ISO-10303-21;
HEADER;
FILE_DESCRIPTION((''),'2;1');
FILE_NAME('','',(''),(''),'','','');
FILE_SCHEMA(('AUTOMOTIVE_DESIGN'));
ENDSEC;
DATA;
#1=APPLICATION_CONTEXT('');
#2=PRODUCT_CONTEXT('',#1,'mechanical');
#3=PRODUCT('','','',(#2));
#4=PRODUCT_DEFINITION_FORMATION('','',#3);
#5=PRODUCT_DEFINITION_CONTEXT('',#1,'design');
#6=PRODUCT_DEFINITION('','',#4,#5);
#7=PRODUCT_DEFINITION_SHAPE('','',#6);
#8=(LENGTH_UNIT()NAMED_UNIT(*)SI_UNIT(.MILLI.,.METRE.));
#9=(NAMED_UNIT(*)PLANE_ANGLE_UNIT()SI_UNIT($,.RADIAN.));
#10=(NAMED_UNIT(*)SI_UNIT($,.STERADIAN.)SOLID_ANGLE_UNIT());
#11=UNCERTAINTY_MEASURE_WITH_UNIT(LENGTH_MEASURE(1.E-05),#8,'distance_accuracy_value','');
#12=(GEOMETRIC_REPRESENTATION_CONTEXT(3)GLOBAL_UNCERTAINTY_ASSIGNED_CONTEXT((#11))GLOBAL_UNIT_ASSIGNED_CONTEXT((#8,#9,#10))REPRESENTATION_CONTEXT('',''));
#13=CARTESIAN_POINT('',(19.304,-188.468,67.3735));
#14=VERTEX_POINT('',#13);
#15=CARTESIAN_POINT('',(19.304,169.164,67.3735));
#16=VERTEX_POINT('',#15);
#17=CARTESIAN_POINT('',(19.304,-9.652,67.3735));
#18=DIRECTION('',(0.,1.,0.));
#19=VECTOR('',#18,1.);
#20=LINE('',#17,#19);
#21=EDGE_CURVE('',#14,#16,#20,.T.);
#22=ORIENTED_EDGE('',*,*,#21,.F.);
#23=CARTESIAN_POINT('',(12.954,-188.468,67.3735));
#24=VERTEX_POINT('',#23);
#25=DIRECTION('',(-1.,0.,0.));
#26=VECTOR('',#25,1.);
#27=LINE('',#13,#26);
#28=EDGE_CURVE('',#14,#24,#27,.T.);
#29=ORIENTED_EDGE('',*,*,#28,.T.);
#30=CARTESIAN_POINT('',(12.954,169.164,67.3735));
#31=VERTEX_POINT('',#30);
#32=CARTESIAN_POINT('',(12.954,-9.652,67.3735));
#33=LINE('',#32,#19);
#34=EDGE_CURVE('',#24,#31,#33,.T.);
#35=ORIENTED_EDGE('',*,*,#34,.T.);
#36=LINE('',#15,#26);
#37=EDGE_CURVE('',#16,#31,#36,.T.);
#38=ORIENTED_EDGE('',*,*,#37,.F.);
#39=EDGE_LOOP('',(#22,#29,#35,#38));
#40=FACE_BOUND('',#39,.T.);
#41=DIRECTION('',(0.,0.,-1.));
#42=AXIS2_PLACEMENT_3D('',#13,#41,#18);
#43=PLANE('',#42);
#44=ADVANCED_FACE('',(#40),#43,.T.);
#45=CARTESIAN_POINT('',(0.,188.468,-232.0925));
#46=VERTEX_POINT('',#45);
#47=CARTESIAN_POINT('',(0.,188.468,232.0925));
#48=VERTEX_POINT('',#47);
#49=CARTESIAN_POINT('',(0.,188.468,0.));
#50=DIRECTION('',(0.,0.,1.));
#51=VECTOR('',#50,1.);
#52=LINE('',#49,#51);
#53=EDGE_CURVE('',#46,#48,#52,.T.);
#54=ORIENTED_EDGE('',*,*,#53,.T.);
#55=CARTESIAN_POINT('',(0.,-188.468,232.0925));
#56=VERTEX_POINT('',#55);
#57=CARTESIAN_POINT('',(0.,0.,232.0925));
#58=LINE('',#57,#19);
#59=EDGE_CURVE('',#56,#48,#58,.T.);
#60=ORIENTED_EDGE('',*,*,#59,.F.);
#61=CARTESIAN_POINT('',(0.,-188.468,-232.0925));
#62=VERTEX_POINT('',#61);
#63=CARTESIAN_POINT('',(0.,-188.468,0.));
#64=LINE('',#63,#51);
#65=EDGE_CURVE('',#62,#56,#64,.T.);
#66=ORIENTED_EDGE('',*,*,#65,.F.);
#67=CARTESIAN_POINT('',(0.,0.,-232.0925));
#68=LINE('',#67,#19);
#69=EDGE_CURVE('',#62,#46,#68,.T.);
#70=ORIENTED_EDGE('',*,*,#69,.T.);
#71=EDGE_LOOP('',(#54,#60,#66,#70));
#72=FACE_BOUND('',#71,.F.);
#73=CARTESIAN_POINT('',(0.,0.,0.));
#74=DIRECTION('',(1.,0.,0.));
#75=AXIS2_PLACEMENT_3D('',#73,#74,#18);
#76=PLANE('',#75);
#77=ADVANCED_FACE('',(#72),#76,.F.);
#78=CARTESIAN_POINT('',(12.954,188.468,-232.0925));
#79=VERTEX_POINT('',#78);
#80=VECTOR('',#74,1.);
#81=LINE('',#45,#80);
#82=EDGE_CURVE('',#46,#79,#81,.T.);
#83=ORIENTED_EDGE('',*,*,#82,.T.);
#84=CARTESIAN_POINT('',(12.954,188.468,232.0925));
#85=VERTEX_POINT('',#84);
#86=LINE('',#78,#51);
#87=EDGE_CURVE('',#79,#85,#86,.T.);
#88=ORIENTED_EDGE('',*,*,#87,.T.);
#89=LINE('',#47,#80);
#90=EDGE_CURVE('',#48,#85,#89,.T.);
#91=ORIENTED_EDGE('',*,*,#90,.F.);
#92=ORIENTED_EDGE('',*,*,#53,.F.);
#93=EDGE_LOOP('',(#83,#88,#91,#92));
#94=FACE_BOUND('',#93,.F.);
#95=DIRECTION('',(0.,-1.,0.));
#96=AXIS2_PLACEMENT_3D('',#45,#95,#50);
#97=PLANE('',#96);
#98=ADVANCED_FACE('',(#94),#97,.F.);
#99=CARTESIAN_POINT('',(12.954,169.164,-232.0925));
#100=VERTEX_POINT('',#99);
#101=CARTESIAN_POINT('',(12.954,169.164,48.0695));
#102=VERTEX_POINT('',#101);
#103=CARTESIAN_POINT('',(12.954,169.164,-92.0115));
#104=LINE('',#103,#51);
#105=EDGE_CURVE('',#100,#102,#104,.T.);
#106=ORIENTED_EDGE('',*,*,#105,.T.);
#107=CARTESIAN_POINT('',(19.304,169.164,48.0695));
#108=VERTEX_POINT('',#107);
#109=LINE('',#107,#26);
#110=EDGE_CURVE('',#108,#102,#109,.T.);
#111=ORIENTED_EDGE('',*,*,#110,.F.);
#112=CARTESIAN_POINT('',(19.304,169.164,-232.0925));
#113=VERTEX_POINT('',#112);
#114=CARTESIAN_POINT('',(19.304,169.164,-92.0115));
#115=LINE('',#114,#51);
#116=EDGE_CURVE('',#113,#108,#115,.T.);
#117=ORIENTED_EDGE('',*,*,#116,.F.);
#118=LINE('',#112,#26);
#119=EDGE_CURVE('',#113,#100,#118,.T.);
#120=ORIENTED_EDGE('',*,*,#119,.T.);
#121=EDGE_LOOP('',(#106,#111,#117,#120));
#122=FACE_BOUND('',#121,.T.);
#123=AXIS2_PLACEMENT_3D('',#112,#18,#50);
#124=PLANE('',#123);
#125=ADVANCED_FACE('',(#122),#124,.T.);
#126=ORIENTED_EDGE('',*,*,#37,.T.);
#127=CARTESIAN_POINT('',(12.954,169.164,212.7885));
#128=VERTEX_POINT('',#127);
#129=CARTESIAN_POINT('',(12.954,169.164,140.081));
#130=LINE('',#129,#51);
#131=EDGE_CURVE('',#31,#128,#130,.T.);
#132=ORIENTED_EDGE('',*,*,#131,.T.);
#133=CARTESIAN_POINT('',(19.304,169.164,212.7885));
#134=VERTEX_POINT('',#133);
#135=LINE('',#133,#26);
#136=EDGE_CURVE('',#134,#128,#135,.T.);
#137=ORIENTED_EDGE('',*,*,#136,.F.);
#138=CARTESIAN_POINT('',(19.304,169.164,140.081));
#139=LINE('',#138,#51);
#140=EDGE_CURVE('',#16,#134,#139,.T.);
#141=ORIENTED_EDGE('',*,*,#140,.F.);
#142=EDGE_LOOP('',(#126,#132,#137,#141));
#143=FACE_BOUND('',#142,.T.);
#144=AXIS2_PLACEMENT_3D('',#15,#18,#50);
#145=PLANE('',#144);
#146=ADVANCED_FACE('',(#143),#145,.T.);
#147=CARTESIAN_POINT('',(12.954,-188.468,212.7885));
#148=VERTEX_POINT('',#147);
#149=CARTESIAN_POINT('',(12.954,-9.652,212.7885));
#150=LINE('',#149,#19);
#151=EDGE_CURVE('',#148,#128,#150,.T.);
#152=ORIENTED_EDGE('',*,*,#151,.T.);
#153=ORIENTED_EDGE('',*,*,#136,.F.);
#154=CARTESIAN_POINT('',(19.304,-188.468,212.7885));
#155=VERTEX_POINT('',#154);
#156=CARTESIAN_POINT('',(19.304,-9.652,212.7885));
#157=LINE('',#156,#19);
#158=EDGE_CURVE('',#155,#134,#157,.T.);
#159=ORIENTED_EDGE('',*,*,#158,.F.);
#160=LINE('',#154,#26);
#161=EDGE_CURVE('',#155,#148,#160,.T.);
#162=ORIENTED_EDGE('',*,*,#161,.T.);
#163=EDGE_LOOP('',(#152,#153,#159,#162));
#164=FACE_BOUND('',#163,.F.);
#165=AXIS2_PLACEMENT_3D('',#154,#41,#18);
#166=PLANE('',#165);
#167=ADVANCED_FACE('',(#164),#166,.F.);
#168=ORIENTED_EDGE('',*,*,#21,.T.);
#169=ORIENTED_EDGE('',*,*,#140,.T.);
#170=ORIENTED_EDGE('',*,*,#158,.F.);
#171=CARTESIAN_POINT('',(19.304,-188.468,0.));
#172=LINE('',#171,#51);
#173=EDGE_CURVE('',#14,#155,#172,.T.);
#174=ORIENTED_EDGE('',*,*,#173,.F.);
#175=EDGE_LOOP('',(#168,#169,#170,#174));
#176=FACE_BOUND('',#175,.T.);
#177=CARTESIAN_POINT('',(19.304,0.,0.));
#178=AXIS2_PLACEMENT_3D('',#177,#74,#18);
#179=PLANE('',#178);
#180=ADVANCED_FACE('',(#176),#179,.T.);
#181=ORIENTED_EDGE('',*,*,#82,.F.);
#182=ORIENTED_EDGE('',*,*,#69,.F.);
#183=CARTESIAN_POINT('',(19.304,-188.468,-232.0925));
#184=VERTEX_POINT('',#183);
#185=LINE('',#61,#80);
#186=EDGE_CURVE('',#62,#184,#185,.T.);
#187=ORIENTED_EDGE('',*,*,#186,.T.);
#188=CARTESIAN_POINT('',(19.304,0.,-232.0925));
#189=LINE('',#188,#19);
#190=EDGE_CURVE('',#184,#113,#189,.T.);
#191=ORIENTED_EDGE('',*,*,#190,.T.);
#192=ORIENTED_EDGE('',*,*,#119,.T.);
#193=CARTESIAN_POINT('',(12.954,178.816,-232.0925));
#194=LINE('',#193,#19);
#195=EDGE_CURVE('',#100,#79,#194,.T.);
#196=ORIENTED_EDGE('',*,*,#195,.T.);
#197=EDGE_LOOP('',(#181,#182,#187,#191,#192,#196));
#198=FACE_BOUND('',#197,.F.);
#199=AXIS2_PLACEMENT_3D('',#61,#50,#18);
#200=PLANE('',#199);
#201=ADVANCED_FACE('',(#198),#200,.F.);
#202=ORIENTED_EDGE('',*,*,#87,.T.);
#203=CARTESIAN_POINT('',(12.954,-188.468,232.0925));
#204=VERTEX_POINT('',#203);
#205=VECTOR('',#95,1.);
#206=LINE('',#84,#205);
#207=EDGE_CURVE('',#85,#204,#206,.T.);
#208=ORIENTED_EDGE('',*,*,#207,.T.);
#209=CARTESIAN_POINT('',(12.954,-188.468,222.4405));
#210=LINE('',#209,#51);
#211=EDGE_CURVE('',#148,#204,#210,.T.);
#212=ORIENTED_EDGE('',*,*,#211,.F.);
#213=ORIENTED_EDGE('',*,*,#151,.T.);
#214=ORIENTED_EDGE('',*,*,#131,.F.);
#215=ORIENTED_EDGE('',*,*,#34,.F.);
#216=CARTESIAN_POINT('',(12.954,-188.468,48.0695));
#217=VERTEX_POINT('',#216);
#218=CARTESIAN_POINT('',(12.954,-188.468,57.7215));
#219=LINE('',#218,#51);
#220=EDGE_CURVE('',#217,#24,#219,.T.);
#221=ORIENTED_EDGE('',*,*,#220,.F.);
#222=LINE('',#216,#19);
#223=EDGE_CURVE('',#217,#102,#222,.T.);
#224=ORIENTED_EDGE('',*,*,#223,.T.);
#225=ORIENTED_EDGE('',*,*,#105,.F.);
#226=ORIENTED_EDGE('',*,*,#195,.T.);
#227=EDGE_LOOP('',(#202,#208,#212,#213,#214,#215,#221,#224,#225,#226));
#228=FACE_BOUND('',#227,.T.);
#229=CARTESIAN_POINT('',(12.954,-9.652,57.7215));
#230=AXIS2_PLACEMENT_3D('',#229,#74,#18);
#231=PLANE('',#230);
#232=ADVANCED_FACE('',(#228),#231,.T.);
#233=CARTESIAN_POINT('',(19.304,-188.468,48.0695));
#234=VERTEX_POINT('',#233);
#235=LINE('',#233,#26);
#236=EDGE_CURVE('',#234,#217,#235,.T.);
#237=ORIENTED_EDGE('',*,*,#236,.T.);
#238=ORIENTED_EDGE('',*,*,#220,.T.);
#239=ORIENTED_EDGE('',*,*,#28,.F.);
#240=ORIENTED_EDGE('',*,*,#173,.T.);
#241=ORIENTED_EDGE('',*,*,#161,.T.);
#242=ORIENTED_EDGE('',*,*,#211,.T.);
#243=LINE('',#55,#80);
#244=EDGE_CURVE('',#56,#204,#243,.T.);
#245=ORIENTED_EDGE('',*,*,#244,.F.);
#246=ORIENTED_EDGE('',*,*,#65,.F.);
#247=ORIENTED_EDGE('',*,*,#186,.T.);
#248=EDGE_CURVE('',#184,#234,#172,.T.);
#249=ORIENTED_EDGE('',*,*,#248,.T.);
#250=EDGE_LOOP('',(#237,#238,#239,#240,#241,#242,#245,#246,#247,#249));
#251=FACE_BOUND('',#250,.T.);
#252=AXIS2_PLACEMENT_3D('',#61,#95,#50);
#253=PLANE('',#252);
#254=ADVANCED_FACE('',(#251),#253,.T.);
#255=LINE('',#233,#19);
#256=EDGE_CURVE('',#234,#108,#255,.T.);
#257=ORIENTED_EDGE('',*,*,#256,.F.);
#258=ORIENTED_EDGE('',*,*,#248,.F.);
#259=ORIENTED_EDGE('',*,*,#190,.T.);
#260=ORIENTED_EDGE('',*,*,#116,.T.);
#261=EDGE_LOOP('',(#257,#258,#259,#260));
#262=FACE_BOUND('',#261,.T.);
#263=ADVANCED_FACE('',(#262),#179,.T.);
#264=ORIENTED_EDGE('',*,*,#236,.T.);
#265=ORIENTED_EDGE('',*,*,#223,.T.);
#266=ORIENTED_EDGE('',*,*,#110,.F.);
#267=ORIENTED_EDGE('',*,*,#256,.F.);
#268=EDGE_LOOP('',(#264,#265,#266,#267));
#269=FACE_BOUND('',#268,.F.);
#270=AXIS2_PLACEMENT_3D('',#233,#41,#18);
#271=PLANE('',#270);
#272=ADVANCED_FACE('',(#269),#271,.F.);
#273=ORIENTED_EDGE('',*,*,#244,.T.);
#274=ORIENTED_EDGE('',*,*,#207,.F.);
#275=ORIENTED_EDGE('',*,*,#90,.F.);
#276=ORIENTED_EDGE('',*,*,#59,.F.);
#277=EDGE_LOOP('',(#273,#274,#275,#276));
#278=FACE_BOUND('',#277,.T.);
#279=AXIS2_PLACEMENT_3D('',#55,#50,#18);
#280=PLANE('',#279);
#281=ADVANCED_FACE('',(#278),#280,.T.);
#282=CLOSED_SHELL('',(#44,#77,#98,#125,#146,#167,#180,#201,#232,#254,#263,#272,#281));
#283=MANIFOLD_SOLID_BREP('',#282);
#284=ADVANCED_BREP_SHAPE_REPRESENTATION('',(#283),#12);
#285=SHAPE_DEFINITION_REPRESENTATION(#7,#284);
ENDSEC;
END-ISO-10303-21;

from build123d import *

# Parameters (mm, degrees)
F0_W     = 376.936
F0_H     = 464.185
F1_DEPTH = 19.304
F2_W     = 357.632
F2_H     = 19.304
F2_W_2   = 19.304
F2_H_2   = 145.415
F2_H_3   = 280.162
F3_DEPTH = 6.35


with BuildPart() as f1:
    # F0 (on Right) → F1 (new body)
    with BuildSketch(Plane.YZ):
        Rectangle(F0_W, F0_H)
    extrude(amount=F1_DEPTH)

    # F2 (on face) → F3 (cut)
    with BuildSketch(Plane.YZ.offset(19.304)):
        with Locations((-9.652, 57.7215)):
            Rectangle(F2_W, F2_H)
        with Locations((178.816, 140.081)):
            Rectangle(F2_W_2, F2_H_2)
        with Locations((178.816, 57.7215)):
            Rectangle(F2_W_2, F2_H)
        with Locations((-9.652, 222.4405)):
            Rectangle(F2_W, F2_H)
        with Locations((178.816, 222.4405)):
            Rectangle(F2_W_2, F2_H)
        with Locations((178.816, -92.0115)):
            Rectangle(F2_W_2, F2_H_3)
    extrude(amount=-F3_DEPTH, mode=Mode.SUBTRACT)


solid = f1.part
